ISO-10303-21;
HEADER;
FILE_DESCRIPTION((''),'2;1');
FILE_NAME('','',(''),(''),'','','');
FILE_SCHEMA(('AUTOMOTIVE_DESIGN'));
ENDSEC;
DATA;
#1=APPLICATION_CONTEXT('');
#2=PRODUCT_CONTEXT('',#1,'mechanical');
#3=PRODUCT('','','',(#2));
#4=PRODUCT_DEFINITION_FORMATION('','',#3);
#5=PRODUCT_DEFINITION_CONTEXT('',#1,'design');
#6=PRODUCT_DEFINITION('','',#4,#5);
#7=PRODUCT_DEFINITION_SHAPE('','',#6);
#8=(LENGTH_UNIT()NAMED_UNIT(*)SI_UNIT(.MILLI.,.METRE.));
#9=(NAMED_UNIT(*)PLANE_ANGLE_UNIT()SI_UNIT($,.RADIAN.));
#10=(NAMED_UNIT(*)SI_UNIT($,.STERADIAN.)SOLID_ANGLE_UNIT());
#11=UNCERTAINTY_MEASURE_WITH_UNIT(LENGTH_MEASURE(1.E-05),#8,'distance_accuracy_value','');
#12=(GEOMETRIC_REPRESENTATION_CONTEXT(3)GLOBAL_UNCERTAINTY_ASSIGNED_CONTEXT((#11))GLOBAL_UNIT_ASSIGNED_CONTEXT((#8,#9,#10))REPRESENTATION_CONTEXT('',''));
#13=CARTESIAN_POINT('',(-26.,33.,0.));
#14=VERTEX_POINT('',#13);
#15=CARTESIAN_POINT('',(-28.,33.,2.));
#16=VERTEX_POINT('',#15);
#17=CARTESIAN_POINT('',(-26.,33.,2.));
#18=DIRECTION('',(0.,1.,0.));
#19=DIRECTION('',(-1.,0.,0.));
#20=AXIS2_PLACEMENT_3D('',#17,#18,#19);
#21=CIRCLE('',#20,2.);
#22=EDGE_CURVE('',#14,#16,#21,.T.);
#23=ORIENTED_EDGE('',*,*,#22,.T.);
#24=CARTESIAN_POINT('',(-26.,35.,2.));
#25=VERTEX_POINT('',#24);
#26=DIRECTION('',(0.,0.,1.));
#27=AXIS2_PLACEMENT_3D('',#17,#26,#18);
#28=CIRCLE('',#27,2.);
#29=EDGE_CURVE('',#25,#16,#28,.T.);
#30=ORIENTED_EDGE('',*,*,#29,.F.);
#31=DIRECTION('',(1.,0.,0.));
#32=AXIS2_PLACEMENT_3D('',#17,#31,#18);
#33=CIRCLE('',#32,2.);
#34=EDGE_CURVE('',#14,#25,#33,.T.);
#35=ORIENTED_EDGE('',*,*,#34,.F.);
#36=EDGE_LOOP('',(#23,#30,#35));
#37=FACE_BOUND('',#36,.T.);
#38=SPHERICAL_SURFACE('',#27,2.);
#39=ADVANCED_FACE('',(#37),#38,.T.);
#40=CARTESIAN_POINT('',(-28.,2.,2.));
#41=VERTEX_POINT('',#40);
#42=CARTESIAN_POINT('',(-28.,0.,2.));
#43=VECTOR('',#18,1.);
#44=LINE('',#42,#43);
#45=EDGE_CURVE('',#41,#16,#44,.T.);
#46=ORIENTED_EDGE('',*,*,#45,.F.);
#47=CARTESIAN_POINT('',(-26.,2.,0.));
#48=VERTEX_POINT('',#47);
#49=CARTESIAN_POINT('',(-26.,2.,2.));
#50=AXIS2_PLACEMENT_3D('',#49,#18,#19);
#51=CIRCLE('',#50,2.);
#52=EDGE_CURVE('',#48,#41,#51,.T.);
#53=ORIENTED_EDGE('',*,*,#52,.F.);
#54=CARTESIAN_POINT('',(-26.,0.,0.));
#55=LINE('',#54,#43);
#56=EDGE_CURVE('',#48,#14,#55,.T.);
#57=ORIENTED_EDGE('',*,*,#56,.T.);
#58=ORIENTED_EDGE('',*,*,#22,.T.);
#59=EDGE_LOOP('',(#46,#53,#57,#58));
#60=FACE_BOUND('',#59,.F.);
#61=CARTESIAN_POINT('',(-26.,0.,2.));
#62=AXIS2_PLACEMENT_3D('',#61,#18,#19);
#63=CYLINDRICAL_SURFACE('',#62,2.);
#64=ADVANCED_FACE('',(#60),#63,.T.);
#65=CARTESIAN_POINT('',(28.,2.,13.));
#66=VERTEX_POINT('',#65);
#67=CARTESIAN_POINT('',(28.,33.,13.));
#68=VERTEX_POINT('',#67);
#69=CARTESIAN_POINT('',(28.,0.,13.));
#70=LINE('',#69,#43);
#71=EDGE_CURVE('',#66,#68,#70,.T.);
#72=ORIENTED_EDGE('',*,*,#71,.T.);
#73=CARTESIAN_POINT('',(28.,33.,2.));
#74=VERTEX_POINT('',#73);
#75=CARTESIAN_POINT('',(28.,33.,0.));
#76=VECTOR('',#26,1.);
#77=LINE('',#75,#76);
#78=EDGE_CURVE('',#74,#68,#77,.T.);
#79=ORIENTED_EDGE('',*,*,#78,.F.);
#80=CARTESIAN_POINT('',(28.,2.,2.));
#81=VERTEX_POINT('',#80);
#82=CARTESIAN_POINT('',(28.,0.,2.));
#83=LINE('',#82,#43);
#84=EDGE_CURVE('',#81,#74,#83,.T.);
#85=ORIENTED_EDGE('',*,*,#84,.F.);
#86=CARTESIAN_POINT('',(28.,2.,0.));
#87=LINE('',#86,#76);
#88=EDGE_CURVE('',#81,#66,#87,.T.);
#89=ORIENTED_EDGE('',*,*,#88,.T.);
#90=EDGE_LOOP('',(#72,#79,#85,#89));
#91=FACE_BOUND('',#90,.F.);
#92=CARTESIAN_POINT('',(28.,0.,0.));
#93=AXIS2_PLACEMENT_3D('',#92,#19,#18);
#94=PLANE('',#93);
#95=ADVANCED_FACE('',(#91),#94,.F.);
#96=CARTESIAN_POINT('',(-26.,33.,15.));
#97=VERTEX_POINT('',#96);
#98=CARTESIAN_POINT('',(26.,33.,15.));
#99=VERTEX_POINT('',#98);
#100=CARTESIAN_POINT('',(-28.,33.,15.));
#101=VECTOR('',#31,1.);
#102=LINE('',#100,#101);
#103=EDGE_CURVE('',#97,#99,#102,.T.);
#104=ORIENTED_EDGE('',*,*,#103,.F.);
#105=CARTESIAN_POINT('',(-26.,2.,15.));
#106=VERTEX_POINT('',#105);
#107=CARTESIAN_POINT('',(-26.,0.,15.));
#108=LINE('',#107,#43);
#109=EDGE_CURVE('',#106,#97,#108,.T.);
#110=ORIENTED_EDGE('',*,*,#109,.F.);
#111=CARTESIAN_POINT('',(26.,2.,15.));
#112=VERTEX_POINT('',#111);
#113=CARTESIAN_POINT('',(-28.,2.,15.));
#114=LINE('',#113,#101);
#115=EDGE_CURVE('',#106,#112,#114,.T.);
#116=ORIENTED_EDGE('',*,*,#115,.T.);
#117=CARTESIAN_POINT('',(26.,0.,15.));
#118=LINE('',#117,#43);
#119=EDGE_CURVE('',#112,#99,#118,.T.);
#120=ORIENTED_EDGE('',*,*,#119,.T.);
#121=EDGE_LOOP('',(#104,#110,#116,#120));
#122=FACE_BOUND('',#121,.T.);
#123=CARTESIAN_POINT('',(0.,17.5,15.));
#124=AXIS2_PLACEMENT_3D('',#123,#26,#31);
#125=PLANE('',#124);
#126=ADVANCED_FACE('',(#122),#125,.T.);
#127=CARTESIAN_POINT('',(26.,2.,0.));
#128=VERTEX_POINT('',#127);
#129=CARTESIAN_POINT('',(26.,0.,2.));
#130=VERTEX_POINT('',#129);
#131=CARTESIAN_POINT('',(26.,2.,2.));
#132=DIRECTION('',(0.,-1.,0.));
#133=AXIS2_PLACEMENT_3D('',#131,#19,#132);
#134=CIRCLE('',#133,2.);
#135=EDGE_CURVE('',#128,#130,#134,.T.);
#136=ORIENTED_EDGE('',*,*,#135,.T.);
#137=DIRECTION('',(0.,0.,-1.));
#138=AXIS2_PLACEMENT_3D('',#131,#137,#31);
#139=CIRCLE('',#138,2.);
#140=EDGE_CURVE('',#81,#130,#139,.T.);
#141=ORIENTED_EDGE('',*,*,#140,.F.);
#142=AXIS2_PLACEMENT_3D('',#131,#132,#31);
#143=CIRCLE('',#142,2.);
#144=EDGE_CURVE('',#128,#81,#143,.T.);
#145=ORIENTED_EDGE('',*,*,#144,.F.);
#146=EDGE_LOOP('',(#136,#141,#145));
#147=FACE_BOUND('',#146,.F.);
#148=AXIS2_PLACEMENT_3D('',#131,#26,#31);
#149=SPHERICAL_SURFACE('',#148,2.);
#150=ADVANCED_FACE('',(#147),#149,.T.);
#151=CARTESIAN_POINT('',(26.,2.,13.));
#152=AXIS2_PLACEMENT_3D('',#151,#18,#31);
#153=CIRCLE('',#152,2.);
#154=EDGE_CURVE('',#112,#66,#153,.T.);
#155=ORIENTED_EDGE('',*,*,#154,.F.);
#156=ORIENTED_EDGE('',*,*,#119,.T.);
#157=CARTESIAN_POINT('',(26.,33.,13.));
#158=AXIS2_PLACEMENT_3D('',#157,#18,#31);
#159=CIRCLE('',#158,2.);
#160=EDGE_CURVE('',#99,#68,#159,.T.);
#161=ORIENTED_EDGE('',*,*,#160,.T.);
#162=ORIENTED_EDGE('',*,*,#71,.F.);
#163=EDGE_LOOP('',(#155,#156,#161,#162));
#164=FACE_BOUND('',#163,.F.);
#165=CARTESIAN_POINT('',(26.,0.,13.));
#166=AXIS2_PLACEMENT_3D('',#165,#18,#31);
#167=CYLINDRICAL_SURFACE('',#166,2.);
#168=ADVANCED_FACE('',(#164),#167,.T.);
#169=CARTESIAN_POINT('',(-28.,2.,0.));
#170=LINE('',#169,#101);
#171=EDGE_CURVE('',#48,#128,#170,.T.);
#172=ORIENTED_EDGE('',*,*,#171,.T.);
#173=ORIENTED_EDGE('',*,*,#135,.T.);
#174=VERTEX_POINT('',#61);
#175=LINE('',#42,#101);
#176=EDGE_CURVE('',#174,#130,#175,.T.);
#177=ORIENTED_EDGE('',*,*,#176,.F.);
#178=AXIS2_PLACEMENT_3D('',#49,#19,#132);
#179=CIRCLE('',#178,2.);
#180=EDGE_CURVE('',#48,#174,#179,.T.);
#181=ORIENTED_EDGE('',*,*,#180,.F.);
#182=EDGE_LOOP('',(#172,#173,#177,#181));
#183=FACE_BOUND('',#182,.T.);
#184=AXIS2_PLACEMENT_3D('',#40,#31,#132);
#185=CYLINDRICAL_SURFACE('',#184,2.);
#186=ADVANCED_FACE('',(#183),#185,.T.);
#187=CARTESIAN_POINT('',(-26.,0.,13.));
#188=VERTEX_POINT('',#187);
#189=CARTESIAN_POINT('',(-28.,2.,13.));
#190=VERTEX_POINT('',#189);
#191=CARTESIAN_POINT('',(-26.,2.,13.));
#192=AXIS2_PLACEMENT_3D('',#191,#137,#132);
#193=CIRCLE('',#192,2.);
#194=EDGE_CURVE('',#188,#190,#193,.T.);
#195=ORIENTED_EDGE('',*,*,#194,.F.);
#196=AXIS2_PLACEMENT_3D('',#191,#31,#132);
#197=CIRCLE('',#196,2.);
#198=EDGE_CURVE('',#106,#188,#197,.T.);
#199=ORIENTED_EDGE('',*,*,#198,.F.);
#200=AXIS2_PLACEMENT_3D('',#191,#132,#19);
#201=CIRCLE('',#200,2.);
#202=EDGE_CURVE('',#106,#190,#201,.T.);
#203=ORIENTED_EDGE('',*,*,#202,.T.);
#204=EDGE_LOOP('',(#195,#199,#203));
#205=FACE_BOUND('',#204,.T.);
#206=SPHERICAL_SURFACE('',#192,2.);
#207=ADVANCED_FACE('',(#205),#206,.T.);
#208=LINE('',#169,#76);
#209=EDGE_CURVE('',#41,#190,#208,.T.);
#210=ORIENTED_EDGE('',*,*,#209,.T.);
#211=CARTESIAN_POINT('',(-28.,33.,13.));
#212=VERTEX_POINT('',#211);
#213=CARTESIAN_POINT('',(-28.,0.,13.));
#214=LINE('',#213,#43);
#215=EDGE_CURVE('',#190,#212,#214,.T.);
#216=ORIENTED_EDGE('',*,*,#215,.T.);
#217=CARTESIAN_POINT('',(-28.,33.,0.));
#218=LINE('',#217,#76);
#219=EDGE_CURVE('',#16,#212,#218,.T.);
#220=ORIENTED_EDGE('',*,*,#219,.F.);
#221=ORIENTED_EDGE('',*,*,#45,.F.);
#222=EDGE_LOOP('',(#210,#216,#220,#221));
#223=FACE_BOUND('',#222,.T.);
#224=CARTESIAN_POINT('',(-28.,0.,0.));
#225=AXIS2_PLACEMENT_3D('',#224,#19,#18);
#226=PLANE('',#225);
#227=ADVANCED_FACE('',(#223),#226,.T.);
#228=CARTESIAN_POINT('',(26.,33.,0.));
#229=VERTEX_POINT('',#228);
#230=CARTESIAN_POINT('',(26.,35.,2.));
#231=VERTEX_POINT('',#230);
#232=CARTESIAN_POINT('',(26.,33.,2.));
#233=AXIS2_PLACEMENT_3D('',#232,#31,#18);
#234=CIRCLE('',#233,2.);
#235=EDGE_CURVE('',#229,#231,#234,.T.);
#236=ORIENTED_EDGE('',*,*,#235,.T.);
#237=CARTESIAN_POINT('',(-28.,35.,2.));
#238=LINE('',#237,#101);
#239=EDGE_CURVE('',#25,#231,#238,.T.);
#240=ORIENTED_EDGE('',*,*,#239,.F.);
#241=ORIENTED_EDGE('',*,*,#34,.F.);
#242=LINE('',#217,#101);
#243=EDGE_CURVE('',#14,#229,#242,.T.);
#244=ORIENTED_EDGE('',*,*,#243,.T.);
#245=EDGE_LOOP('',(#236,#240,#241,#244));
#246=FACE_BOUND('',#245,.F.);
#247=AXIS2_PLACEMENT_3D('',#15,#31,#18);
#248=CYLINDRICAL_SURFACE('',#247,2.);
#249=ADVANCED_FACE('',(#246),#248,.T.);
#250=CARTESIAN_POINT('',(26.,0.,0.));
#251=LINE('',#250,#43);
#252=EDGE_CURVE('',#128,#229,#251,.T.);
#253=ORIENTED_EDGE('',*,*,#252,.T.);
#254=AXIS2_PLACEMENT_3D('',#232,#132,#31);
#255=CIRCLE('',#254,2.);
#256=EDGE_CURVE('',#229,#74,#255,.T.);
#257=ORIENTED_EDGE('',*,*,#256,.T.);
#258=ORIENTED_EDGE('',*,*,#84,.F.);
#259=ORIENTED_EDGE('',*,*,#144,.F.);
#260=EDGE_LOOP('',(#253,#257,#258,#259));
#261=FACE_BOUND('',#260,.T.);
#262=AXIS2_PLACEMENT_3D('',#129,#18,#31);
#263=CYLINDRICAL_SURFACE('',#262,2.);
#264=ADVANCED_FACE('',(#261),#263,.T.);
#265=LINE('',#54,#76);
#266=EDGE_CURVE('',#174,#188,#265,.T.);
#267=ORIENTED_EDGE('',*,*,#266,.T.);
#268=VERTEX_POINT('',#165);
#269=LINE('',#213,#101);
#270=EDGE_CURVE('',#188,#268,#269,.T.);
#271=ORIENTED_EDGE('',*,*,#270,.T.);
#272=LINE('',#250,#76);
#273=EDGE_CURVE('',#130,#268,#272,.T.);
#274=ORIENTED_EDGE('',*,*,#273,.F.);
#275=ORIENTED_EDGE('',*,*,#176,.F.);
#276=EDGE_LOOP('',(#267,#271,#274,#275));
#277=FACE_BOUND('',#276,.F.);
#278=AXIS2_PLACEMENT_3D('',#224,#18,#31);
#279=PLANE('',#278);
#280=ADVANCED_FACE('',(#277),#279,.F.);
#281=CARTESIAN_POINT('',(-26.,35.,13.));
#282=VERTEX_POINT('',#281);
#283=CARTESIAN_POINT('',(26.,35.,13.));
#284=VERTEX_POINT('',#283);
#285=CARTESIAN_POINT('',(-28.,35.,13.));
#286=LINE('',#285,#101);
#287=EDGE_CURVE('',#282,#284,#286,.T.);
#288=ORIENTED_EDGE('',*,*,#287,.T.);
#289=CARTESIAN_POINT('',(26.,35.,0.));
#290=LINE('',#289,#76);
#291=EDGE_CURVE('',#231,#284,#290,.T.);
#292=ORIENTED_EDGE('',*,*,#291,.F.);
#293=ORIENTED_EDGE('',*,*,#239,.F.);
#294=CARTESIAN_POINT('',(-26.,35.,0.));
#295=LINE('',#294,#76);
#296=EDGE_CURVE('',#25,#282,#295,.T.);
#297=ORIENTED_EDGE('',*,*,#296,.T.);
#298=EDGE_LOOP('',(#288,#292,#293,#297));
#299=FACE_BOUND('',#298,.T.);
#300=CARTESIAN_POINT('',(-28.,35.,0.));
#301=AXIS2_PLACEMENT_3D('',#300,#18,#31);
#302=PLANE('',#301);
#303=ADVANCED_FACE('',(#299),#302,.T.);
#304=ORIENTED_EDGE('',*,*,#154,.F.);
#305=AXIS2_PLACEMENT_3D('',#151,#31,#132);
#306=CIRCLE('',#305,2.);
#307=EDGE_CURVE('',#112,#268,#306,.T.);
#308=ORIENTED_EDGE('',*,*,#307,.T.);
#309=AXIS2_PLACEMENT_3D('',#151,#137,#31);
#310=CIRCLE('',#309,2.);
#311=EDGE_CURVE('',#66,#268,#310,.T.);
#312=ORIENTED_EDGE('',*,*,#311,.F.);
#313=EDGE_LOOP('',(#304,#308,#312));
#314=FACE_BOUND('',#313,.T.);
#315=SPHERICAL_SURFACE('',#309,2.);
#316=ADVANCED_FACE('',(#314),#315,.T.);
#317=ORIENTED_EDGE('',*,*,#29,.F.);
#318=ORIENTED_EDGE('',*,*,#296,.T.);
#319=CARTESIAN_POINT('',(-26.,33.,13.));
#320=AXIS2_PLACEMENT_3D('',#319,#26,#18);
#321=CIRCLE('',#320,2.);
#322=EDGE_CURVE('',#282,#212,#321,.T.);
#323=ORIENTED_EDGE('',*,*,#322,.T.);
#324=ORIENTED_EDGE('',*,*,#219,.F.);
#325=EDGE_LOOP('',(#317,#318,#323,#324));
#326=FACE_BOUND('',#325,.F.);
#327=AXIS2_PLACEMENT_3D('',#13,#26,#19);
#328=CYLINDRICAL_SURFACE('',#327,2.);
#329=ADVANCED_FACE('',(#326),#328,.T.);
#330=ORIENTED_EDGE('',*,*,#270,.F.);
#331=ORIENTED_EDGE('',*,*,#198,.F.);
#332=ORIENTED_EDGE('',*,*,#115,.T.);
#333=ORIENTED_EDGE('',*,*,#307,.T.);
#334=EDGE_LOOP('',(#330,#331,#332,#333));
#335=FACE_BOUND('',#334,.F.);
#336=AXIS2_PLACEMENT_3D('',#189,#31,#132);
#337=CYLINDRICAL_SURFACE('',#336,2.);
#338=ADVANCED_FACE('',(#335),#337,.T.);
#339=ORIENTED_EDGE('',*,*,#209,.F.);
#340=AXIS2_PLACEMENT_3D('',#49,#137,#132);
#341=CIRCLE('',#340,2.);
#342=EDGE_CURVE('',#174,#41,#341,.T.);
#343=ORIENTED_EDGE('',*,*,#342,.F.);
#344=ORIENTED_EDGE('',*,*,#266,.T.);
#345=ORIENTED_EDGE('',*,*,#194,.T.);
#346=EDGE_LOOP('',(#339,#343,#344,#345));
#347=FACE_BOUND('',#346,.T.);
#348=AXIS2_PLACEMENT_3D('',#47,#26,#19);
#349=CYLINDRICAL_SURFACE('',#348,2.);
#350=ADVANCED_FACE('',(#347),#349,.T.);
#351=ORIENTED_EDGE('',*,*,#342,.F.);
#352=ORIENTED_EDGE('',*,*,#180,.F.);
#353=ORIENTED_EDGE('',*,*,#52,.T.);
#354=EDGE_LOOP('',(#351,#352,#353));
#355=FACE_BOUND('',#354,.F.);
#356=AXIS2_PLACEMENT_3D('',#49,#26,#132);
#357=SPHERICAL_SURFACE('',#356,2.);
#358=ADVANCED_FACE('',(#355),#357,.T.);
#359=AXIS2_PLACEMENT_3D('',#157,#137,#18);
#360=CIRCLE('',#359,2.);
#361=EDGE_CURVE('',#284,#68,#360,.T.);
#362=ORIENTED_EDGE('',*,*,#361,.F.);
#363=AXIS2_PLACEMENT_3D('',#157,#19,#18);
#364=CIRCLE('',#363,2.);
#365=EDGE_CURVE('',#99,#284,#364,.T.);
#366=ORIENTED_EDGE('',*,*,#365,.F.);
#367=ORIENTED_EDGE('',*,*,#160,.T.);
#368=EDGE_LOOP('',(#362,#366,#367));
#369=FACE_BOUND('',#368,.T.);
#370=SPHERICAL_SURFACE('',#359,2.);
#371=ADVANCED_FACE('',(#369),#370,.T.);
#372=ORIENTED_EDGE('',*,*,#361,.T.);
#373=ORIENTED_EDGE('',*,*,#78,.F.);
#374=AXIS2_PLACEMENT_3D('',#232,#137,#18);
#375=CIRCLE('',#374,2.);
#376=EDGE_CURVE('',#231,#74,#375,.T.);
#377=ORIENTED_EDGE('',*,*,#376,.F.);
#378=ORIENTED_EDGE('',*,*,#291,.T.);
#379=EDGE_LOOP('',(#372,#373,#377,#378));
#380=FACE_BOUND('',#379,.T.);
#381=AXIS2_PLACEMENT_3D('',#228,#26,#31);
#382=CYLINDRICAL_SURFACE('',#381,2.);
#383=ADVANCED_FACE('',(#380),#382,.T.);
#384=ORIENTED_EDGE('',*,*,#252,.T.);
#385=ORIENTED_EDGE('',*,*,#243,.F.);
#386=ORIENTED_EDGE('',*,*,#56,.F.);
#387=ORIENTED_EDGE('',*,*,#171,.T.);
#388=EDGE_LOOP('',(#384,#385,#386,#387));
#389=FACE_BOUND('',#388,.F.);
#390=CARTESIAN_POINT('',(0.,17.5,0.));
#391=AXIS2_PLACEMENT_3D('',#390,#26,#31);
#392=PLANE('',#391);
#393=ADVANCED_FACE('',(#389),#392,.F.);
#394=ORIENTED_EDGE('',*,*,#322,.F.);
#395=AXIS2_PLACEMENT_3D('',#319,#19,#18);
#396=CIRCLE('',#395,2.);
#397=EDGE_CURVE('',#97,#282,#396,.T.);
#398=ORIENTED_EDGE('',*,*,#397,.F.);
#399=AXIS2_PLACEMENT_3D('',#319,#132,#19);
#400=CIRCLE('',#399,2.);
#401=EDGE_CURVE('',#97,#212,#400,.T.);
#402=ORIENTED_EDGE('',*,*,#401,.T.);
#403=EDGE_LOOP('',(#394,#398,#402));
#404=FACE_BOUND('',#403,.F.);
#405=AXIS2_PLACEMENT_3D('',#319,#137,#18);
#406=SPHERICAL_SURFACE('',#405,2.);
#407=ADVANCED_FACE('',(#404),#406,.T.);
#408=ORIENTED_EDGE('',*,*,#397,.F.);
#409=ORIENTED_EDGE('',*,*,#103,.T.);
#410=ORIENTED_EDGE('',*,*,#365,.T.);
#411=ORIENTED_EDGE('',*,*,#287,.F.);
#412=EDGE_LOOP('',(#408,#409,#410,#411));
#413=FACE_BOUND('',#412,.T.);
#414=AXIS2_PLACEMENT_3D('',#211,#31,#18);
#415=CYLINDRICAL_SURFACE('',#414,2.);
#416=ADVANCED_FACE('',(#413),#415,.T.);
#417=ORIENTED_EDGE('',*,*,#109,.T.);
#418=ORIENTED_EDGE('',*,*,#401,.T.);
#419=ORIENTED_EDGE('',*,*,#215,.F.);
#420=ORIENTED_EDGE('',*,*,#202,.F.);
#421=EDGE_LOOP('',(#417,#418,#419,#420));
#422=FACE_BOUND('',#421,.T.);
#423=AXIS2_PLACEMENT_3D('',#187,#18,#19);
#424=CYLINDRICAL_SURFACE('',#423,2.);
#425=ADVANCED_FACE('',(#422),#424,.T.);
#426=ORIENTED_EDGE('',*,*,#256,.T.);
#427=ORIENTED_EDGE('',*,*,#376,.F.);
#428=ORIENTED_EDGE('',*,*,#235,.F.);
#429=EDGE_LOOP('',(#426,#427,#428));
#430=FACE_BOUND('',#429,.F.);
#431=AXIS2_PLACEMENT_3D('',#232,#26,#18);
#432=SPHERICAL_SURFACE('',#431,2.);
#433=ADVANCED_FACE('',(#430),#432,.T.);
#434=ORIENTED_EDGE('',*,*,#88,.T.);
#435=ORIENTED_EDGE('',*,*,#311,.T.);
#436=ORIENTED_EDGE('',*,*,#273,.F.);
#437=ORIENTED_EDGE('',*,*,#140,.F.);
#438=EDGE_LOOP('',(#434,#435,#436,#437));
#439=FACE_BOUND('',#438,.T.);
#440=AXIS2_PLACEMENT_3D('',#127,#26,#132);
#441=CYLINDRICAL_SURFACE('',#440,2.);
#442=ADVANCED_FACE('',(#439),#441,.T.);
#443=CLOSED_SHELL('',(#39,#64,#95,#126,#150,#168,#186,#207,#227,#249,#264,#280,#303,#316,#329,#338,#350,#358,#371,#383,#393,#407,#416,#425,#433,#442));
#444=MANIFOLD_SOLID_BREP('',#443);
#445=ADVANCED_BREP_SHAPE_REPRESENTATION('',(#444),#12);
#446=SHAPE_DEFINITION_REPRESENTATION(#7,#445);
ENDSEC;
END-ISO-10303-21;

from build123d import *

# Parameters (mm, degrees)
SKETCH_W  = 56
SKETCH_H  = 35
PAD_DEPTH = 15
FILLET_R  = 2


with BuildPart() as part:
    # Sketch → Pad (new body)
    with BuildSketch(Plane.XY):
        with Locations((0, 17.5)):
            Rectangle(SKETCH_W, SKETCH_H)
    extrude(amount=PAD_DEPTH)

    # Fillet
    fillet_edges = [part.edges().sort_by_distance(p)[0] for p in [
        (-28, 35, 7.5),
        (28, 35, 7.5),
        (0, 35, 0),
        (0, 35, 15),
        (28, 0, 7.5),
        (28, 17.5, 0),
        (28, 17.5, 15),
        (-28, 0, 7.5),
        (0, 0, 0),
        (0, 0, 15),
        (-28, 17.5, 0),
        (-28, 17.5, 15),
    ]]
    fillet(fillet_edges, radius=FILLET_R)


solid = part.part
